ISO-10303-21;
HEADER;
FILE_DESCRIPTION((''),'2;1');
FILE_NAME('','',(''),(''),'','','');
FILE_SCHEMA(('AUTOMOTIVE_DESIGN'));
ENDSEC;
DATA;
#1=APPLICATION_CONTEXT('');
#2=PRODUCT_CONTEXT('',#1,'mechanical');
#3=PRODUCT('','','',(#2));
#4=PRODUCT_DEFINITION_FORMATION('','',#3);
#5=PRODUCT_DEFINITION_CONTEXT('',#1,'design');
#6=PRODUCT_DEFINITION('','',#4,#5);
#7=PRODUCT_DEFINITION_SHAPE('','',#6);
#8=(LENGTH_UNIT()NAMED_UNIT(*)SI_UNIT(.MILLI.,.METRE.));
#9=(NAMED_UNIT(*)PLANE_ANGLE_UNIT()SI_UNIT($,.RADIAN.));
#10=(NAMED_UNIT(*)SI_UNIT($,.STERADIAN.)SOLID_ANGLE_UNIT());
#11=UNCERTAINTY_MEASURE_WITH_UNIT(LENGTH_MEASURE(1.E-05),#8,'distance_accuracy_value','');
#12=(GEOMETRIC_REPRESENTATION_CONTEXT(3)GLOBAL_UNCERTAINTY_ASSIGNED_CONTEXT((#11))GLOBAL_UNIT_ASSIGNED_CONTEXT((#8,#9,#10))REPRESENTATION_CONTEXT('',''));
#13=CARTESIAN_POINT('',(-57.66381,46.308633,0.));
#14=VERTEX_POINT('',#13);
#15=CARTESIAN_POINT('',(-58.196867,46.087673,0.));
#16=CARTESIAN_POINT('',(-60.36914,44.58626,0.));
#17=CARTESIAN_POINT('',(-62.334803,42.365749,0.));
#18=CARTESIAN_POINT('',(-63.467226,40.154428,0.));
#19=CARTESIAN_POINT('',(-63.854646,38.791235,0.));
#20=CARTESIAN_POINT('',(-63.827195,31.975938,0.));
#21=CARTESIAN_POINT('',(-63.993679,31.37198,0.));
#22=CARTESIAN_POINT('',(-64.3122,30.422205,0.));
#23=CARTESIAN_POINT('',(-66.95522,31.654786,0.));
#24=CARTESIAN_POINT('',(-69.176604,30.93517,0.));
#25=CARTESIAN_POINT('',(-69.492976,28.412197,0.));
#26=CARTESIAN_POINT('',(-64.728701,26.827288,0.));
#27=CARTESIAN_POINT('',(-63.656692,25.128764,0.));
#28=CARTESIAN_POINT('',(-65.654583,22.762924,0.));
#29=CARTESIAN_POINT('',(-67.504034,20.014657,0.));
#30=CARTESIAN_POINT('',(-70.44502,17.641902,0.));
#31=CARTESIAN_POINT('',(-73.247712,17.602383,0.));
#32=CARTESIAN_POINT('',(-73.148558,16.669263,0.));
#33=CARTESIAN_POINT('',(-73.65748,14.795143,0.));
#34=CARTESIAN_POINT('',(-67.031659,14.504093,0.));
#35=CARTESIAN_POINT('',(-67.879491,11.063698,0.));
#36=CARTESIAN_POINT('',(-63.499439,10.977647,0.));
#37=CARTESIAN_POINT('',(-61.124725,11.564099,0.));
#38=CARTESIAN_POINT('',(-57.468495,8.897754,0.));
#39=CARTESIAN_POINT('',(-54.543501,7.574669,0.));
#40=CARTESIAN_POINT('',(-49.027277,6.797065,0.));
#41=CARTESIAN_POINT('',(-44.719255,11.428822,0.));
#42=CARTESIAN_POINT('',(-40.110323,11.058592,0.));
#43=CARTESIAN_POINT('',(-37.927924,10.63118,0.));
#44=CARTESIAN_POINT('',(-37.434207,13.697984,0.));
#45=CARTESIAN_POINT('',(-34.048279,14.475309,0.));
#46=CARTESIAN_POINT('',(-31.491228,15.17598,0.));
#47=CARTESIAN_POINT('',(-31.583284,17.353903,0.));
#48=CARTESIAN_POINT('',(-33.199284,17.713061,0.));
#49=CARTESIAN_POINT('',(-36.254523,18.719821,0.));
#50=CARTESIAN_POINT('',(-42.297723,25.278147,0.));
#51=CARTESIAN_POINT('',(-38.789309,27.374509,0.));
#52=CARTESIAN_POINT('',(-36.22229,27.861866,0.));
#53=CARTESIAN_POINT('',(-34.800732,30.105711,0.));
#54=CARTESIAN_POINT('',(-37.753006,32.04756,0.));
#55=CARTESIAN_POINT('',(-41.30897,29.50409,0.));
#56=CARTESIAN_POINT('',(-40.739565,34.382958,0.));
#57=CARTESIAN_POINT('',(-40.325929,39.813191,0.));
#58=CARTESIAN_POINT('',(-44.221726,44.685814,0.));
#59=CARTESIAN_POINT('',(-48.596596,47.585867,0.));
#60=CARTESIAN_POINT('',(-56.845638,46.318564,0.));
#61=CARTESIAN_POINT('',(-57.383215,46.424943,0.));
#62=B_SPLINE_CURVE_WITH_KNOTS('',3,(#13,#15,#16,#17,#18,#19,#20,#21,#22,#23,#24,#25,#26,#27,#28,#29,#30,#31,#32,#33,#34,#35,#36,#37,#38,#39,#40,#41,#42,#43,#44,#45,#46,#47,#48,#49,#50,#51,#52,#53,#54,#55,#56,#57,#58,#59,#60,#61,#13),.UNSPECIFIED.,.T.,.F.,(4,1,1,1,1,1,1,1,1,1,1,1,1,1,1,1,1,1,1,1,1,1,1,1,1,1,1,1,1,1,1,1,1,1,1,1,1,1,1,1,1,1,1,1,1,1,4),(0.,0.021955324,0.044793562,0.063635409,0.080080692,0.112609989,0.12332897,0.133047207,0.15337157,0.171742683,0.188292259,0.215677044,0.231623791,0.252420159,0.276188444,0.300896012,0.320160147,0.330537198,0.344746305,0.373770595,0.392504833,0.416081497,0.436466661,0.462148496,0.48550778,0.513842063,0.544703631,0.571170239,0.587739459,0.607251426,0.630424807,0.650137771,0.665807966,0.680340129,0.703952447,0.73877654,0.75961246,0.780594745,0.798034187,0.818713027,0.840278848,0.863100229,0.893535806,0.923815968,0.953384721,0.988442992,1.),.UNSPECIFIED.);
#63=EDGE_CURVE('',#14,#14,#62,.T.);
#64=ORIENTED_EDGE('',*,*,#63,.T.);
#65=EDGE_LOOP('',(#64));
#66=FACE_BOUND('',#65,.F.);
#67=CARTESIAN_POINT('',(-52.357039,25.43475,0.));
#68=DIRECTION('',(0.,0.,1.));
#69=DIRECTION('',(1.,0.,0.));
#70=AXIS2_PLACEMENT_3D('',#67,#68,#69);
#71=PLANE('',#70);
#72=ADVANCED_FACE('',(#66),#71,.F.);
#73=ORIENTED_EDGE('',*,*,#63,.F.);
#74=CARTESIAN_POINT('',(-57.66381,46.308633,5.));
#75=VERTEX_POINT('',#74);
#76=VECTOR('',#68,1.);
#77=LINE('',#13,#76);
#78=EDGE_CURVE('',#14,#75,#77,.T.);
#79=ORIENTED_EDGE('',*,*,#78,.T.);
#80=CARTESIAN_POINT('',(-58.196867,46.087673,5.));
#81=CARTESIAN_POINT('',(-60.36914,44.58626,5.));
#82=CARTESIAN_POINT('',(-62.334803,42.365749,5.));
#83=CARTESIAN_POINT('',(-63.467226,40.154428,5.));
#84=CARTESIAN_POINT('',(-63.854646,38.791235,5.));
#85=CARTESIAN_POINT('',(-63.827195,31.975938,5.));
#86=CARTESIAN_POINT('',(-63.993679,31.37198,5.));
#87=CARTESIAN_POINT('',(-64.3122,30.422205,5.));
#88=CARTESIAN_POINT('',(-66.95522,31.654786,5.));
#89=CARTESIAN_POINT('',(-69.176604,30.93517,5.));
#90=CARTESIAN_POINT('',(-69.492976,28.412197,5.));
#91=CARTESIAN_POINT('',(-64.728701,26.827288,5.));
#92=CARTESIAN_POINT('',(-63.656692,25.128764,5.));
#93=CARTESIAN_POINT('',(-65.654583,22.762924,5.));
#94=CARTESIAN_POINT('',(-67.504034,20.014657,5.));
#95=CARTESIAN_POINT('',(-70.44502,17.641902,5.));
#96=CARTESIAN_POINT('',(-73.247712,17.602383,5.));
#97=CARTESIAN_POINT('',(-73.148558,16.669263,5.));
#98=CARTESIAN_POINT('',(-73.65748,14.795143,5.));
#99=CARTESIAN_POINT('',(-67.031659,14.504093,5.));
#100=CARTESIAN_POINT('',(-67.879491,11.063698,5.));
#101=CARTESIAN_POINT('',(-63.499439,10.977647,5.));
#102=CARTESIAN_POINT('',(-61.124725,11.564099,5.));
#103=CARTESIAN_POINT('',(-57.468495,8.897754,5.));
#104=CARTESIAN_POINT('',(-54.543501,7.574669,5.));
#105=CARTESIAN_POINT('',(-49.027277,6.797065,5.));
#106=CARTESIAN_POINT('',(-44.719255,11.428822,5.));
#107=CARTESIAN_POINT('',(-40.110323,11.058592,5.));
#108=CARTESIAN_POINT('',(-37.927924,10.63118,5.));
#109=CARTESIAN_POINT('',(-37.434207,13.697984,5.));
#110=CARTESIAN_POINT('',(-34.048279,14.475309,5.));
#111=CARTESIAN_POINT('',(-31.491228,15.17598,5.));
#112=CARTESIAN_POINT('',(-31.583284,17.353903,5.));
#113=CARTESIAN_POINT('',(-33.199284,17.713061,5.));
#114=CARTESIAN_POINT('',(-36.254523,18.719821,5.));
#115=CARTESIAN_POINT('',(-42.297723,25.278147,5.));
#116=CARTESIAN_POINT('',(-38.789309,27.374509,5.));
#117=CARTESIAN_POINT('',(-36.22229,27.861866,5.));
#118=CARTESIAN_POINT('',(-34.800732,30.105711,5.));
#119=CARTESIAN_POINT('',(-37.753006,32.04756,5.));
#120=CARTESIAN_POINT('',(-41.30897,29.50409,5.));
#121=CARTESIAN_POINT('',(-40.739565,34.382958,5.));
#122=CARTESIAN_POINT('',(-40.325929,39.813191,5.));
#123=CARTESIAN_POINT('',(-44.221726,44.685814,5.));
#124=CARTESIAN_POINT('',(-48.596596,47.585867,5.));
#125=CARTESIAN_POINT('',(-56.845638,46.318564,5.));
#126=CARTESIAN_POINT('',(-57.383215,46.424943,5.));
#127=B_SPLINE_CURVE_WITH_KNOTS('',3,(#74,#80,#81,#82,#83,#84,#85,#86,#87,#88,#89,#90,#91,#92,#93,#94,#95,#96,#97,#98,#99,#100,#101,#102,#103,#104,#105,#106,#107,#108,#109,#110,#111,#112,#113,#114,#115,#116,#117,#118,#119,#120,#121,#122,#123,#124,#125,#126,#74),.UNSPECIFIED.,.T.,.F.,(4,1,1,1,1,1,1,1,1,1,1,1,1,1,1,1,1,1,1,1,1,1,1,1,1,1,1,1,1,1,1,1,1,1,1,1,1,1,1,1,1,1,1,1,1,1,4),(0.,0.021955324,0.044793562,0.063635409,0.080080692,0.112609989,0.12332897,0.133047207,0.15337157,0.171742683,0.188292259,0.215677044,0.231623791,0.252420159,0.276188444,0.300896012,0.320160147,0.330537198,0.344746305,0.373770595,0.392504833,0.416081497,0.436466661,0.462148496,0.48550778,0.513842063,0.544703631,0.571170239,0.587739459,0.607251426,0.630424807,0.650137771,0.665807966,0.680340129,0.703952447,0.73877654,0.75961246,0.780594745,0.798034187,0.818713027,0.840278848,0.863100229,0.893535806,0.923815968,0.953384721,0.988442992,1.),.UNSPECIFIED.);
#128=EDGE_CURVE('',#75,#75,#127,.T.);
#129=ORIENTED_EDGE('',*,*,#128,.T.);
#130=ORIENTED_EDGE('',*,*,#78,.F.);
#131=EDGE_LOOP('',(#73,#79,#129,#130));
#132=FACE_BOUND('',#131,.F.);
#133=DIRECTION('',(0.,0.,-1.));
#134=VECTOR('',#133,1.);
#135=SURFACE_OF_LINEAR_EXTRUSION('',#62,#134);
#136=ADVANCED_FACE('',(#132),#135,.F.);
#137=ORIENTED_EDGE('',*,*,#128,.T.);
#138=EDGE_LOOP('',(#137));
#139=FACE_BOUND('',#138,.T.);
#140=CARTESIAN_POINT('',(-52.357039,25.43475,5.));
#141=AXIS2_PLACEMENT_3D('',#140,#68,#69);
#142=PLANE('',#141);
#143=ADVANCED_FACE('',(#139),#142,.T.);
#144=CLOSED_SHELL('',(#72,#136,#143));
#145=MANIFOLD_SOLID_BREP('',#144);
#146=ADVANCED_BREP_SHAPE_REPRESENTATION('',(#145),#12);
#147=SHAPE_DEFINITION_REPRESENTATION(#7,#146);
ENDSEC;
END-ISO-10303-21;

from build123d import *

# Parameters (mm, degrees)
F1_DEPTH = 5


with BuildPart() as f1:
    # F0 (on Top) → F1 (new body)
    with BuildSketch(Plane.XY):
        with BuildLine():
            add(Edge.make_bspline(
                [(-57.6638095081, 46.3086329401), (-58.1968672063, 46.0876734061), (-60.3691395347, 44.5862603068), (-62.3348026698, 42.3657492486), (-63.4672256816, 40.1544279082), (-63.8546464881, 38.7912350251), (-63.8271945892, 31.9759378511), (-63.9936791067, 31.3719804921), (-64.3122003464, 30.4222052609), (-66.9552199363, 31.6547856826), (-69.1766038593, 30.9351700866), (-69.492975631, 28.4121968279), (-64.7287005903, 26.8272882565), (-63.6566920244, 25.1287635201), (-65.6545832017, 22.7629241885), (-67.5040335415, 20.0146570727), (-70.4450198004, 17.6419017877), (-73.2477120012, 17.602383272), (-73.1485584856, 16.669262907), (-73.6574801316, 14.7951432143), (-67.0316585011, 14.5040930493), (-67.8794914416, 11.0636976981), (-63.499438902, 10.9776472318), (-61.1247250647, 11.5640991111), (-57.4684947694, 8.897753707), (-54.5435013555, 7.5746686994), (-49.0272772834, 6.797064571), (-44.7192547589, 11.4288221054), (-40.1103234935, 11.058592497), (-37.9279244896, 10.6311796983), (-37.4342067301, 13.6979841777), (-34.0482794722, 14.4753089854), (-31.4912281251, 15.1759798825), (-31.5832842991, 17.3539026123), (-33.1992843977, 17.7130611959), (-36.2545226915, 18.7198208953), (-42.2977231432, 25.278146958), (-38.7893085997, 27.3745091967), (-36.222290192, 27.8618660145), (-34.8007320323, 30.1057106973), (-37.7530064242, 32.0475598285), (-41.3089699635, 29.5040896953), (-40.7395651752, 34.3829578682), (-40.32592933, 39.8131905618), (-44.2217258934, 44.6858143795), (-48.596596388, 47.5858672399), (-56.8456376073, 46.3185636664), (-57.383214605, 46.4249432742), (-57.6638095081, 46.3086329401)],
                knots=[0, 0, 0, 0, 0.0219553237, 0.0447935622, 0.0636354092, 0.0800806919, 0.1126099892, 0.1233289698, 0.1330472069, 0.1533715702, 0.1717426827, 0.1882922593, 0.2156770437, 0.2316237905, 0.2524201589, 0.2761884442, 0.3008960117, 0.3201601475, 0.3305371983, 0.3447463052, 0.3737705946, 0.3925048328, 0.4160814967, 0.436466661, 0.4621484964, 0.4855077798, 0.5138420635, 0.5447036312, 0.5711702389, 0.5877394594, 0.607251426, 0.6304248068, 0.6501377708, 0.665807966, 0.6803401293, 0.7039524474, 0.7387765404, 0.7596124595, 0.7805947455, 0.7980341875, 0.8187130269, 0.8402788479, 0.8631002286, 0.8935358063, 0.9238159677, 0.9533847207, 0.9884429923, 1, 1, 1, 1], degree=3))
        make_face()
    extrude(amount=F1_DEPTH)


solid = f1.part
